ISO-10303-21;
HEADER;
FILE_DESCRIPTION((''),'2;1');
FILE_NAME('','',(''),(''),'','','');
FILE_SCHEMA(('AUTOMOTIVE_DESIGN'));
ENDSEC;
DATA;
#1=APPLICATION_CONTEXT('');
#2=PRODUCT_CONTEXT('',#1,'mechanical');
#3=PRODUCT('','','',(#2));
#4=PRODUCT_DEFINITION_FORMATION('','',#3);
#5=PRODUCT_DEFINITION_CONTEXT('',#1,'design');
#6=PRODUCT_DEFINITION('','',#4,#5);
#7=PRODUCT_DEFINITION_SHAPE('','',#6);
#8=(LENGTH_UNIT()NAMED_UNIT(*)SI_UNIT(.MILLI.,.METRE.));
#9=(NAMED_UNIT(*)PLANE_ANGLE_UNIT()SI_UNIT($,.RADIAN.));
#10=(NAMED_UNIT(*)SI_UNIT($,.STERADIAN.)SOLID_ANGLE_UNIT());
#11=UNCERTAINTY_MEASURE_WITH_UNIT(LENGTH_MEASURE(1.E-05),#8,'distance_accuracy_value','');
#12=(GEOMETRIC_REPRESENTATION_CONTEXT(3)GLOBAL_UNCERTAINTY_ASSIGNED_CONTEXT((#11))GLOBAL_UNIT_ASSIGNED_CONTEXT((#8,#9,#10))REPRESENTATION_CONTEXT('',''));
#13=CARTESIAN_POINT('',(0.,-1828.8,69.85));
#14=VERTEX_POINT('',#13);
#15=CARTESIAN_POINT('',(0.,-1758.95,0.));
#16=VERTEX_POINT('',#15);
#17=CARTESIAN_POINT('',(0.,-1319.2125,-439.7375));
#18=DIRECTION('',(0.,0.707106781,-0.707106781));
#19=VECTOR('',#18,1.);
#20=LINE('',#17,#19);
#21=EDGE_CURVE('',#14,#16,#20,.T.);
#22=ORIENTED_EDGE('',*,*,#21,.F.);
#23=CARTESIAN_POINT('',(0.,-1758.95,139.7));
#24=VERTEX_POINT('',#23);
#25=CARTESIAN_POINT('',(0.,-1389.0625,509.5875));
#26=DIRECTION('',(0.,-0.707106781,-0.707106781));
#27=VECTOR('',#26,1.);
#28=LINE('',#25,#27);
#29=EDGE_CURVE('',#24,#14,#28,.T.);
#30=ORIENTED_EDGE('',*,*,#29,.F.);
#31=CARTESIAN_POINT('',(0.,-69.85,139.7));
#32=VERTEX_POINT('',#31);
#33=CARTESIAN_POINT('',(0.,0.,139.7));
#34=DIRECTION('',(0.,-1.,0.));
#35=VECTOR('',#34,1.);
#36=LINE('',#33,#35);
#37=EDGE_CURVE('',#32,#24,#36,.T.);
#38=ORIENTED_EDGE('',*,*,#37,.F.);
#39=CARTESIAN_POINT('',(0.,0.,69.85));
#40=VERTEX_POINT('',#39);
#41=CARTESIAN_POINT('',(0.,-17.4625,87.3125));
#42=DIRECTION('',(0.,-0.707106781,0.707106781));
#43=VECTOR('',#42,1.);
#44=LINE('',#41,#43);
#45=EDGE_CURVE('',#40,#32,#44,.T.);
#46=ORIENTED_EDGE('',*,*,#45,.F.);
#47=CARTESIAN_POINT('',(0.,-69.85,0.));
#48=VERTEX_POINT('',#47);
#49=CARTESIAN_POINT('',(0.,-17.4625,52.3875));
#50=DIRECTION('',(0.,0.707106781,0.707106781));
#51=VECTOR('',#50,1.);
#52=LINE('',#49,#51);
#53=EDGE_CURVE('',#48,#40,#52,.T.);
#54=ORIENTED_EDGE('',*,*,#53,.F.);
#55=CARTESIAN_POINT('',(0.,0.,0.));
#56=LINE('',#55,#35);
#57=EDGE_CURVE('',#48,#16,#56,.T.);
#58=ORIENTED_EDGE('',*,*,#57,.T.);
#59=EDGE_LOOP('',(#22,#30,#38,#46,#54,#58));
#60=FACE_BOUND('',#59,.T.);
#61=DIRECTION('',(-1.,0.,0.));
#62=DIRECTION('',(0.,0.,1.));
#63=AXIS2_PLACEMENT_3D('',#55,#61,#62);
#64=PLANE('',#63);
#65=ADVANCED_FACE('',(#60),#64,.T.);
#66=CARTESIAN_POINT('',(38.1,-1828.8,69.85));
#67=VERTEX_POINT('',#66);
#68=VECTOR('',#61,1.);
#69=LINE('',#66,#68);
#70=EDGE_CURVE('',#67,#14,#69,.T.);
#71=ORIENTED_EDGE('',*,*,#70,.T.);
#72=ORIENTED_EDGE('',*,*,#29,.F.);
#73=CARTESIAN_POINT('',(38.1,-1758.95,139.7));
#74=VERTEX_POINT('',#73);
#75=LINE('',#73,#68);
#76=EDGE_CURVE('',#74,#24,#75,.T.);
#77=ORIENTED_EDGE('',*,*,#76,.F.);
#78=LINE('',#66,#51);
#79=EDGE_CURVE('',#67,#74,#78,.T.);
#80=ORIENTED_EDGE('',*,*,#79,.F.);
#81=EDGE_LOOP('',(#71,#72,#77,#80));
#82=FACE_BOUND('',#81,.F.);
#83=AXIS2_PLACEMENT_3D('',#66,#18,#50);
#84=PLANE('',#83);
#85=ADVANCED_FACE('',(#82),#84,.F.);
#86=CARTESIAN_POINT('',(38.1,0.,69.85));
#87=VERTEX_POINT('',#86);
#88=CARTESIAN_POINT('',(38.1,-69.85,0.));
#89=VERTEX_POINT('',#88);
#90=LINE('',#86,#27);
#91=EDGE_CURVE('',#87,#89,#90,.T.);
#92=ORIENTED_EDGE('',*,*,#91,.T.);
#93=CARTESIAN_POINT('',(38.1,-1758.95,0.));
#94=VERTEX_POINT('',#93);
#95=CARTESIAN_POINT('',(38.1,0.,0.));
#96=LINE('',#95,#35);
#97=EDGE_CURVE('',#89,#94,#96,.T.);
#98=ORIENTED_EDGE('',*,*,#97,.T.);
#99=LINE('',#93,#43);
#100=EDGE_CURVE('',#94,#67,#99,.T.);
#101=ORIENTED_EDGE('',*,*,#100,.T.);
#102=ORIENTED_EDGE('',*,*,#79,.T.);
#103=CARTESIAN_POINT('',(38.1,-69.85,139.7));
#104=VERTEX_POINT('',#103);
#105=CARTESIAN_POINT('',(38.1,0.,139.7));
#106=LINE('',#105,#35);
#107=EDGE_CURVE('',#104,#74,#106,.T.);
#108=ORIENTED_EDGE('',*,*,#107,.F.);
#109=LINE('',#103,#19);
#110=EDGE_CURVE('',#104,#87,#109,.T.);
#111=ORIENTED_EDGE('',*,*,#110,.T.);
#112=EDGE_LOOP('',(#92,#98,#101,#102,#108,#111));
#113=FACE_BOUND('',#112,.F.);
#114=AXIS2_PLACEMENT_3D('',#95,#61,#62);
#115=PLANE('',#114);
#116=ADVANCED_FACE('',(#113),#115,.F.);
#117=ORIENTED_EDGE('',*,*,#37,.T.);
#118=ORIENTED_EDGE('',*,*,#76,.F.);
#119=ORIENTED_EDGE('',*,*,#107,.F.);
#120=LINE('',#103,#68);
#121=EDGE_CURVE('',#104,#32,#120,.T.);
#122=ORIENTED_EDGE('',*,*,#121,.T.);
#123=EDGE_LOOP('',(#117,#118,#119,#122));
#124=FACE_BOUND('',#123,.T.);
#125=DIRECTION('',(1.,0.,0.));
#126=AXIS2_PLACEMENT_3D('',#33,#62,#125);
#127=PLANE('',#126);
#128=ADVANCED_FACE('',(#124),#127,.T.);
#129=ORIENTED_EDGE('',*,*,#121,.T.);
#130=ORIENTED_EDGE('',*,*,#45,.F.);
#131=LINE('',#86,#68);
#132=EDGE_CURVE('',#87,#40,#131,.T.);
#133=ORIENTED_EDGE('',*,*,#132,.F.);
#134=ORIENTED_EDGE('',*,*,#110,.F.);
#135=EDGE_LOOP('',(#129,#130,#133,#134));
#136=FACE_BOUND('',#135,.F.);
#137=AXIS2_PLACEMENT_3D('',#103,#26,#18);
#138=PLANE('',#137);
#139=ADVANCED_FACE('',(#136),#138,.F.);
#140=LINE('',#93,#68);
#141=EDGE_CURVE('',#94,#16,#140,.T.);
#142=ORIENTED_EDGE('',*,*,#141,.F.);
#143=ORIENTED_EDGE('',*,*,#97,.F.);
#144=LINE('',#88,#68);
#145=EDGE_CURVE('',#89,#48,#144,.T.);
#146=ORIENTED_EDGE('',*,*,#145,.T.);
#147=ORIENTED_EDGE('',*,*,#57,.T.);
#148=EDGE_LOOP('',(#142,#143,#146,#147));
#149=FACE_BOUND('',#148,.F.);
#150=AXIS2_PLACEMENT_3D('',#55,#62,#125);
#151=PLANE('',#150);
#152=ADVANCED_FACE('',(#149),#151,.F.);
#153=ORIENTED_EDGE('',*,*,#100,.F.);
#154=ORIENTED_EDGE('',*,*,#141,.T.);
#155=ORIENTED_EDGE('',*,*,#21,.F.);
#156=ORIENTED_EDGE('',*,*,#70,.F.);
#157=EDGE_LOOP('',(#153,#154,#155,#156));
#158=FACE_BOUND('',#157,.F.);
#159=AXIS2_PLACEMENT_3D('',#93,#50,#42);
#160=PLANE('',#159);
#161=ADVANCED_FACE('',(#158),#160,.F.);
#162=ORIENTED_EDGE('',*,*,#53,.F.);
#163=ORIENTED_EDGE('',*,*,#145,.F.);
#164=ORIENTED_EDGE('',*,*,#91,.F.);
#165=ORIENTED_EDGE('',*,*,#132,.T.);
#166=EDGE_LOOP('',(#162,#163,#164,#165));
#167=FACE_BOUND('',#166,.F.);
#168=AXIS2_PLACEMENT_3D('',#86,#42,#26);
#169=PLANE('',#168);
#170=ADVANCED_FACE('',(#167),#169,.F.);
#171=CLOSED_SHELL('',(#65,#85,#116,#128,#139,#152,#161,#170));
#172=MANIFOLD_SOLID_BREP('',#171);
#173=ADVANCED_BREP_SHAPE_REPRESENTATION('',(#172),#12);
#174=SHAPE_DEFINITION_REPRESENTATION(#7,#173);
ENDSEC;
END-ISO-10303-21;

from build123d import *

# Parameters (mm, degrees)
F0_W     = 38.1
F0_H     = 139.7
F1_DEPTH = 1828.8
F3_DEPTH = 38.101


with BuildPart() as f1:
    # F0 (on Front) → F1 (new body)
    with BuildSketch(Plane.XZ):
        with Locations((19.05, 69.85)):
            Rectangle(F0_W, F0_H)
    extrude(amount=F1_DEPTH)

    # F2 (on face) → F3 (cut, through all)
    with BuildSketch(Plane.YZ.offset(38.1)):
        Polygon((-1758.95, 0), (-1828.8, 69.85), (-1828.8, 0), align=None)
        Polygon((-1828.8, 139.7), (-1828.8, 69.85), (-1758.95, 139.7), align=None)
        Polygon((0, 0), (0, 69.85), (-69.85, 0), align=None)
        Polygon((0, 69.85), (0, 139.7), (-69.85, 139.7), align=None)
    extrude(amount=-F3_DEPTH, mode=Mode.SUBTRACT)


solid = f1.part
